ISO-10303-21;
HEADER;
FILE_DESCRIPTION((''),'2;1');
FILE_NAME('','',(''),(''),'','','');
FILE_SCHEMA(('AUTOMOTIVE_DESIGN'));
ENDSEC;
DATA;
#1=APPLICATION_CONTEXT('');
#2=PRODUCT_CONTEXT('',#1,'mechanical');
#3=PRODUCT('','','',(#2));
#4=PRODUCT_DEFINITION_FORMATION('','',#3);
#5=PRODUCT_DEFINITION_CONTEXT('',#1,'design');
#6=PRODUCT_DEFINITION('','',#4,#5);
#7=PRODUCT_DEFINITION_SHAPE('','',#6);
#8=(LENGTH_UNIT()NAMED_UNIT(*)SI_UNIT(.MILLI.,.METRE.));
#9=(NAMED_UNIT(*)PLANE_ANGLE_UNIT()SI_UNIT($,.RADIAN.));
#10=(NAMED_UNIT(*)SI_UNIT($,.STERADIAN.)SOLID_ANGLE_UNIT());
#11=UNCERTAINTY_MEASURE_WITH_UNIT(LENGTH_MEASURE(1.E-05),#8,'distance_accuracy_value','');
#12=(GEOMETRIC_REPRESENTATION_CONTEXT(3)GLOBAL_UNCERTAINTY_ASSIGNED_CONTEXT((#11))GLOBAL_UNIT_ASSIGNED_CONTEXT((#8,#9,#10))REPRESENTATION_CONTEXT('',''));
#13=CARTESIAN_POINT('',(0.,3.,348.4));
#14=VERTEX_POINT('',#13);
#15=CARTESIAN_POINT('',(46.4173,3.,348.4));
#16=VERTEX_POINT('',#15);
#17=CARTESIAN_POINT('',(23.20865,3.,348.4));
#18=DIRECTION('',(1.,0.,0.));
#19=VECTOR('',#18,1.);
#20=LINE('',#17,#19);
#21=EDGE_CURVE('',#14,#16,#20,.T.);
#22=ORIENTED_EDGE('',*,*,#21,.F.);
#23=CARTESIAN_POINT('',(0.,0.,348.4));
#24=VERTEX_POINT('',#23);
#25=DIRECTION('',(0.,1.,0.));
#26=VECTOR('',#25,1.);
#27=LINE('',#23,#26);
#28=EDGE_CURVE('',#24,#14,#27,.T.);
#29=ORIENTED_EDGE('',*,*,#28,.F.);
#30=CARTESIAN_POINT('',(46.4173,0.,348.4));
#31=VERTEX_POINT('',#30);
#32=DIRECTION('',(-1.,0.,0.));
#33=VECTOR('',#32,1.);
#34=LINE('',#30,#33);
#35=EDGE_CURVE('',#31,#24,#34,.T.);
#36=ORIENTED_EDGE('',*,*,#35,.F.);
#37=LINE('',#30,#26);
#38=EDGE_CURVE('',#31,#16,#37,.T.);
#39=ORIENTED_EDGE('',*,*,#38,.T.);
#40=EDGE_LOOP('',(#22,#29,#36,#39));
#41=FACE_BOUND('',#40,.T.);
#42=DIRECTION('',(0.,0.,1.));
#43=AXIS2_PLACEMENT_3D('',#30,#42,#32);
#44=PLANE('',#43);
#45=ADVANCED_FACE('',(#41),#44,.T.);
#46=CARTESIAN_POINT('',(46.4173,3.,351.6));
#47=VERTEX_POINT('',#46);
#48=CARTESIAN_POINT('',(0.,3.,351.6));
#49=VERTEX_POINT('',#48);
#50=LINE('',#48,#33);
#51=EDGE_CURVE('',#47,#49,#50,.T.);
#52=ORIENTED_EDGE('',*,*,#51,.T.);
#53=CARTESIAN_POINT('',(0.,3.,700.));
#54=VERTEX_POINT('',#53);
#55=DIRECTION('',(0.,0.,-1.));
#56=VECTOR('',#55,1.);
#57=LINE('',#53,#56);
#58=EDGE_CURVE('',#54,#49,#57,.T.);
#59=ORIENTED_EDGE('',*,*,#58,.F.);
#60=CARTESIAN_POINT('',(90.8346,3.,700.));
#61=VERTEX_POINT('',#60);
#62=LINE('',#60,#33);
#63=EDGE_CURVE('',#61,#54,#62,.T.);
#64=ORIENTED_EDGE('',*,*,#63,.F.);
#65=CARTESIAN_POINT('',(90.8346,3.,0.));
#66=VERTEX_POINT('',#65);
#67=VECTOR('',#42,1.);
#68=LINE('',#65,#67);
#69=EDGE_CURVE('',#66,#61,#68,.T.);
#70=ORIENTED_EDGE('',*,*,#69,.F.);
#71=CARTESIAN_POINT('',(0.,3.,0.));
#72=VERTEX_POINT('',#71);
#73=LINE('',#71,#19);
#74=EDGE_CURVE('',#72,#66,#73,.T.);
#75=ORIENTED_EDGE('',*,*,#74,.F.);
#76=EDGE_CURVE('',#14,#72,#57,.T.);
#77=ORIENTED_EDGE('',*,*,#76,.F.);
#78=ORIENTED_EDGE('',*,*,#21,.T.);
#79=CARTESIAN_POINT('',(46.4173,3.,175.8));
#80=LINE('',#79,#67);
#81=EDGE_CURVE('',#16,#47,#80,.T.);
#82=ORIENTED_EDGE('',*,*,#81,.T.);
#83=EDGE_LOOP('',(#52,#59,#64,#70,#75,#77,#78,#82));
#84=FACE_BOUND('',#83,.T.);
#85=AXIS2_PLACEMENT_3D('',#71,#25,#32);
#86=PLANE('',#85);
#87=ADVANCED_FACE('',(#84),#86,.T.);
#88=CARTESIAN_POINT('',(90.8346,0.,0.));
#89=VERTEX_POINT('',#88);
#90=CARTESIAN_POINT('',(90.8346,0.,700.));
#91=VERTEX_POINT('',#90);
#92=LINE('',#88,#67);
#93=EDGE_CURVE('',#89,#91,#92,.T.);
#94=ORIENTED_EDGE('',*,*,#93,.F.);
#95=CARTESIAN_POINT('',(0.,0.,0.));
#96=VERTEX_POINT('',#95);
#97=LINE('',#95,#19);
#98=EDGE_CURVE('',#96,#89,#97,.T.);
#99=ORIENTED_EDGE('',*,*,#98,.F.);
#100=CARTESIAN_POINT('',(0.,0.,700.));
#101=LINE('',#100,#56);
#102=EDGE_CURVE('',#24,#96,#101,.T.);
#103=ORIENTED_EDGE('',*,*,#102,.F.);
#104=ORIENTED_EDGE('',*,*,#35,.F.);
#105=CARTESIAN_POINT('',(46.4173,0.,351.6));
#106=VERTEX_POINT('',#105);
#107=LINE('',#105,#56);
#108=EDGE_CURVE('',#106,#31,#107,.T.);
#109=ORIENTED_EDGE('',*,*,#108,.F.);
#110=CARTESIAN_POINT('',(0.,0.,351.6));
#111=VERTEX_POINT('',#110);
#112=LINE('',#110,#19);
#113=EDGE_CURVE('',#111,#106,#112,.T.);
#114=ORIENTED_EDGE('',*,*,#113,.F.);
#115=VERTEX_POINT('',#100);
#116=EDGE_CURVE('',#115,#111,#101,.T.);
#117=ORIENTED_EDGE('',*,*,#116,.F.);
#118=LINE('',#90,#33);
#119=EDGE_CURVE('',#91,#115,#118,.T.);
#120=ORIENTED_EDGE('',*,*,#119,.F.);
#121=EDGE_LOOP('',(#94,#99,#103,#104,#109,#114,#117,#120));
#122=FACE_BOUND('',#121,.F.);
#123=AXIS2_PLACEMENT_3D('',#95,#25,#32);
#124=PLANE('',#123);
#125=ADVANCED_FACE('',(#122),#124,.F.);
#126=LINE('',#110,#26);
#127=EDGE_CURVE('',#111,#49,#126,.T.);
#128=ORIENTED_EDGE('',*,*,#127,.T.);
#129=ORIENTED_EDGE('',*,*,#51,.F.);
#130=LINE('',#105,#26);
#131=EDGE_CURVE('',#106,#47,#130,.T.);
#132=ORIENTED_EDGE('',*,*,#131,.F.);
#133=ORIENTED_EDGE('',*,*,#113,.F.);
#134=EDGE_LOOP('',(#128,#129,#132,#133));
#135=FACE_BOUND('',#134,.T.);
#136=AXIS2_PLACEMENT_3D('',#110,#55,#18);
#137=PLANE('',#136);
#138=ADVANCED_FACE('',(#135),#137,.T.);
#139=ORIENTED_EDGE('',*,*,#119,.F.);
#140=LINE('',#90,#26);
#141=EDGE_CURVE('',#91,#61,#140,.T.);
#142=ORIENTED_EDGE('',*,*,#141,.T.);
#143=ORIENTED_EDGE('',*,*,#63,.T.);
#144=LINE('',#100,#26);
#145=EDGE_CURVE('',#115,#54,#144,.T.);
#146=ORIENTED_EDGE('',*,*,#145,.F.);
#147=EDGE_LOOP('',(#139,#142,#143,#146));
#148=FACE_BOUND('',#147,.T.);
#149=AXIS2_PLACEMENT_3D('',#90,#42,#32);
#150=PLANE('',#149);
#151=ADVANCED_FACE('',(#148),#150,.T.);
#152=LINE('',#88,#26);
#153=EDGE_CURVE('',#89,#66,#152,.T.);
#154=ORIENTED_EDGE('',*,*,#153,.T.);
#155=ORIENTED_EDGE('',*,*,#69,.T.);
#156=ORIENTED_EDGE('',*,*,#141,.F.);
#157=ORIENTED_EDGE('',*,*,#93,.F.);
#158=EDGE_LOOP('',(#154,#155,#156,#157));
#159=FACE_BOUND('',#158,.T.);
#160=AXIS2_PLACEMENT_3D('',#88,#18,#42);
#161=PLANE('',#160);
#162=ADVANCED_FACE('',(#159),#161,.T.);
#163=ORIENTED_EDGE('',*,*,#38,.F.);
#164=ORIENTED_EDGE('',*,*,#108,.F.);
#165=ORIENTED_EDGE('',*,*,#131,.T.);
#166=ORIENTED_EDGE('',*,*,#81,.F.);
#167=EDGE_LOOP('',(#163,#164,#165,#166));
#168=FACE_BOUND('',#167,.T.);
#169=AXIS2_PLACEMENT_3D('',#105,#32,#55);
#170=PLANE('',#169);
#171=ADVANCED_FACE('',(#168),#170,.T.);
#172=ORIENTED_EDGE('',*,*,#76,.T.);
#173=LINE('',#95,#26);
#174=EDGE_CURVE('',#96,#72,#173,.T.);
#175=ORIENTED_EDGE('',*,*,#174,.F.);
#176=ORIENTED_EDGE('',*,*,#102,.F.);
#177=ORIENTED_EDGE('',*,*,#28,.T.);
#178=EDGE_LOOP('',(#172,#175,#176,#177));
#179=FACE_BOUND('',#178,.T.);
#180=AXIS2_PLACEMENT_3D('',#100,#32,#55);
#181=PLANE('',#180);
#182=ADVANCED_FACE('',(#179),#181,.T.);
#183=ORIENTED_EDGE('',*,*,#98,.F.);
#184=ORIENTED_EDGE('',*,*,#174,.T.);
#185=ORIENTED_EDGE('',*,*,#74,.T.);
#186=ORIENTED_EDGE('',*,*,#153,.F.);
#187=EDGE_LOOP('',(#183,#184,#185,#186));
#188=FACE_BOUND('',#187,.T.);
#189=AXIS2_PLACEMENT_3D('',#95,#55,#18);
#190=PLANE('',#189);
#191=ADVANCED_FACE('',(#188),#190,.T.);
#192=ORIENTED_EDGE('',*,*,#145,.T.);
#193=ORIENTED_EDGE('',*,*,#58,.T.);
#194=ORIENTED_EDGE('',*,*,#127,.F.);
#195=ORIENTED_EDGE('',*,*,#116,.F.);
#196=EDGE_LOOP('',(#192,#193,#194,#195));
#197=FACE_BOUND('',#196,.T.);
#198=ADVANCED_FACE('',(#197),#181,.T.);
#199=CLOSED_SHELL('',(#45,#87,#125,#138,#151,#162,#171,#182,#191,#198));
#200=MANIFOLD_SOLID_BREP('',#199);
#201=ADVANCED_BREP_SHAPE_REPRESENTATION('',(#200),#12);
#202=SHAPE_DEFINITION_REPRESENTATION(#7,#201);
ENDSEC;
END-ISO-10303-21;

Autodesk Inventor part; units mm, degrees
ref_plane "YZ Plane" through (0, 0, 0) normal (1, 0, 0) x (0, 1, 0)
ref_plane "XZ Plane" through (0, 0, 0) normal (0, 1, 0) x (-1, 0, 0)
ref_plane "XY Plane" through (0, 0, 0) normal (0, 0, 1) x (1, 0, 0)
sketch "Sketch6" plane through (0, 0, 0) normal (0, 1, 0) x (-1, 0, 0)
  line L0 (0, 0) -> (-90.8346, 0)
  line L1 (-90.8346, 0) -> (-90.8346, 700)
  line L2 (-90.8346, 700) -> (0, 700)
  line L3 (0, 700) -> (0, 0)
  dimension "d26" = 90.8346
  dimension "d27" = 700
extrude "Plate4" add sketch "Sketch6" along normal blind 3
sketch "Sketch7" plane through (0, 0, 0) normal (0, -1, 0) x (1, 0, 0)
  line L0 (0, 700) -> (90.8346, 700) projected
  line L1 (0, 0) -> (0, 700) projected
  line L2 (90.8346, 0) -> (0, 0) projected
  line L3 (90.8346, 700) -> (90.8346, 0) projected
  line L4 (0, 351.6) -> (46.4173, 351.6)
  line L5 (46.4173, 351.6) -> (46.4173, 348.4)
  line L6 (46.4173, 348.4) -> (0, 348.4)
  line L7 (0, 348.4) -> (0, 351.6)
  point P0 (0, 348.4)
  point P1 (0, 200)
  point P2 (46.4173, 200)
  point P3 (0, 348.4)
  dimension "d29" = 46.4173
  dimension "d30" = 3.2
  dimension "d31" = 348.4
extrude "Extrusion2" cut sketch "Sketch7" against normal through all contours L4 L5 L6 L1
equation "\"d26\" = Stringer1_deep"
equation "\"d28\" = Thickness"
equation "\"BendReliefWidth\" = Thickness"
equation "\"BendReliefDepth\" = 0.5 * Thickness"
equation "\"CornerReliefSize\" = 4 * Thickness"
equation "\"MinimumRemnant\" = 2 * Thickness"
equation "\"TransitionRadius\" = BendRadius"
equation "\"JacobiRadiusSize\" = BendRadius"
equation "\"GapSize\" = Thickness"
equation "\"Stringer1_deep\" = 90.834574"
equation "\"Thickness\" = 3"
equation "\"BendRadius\" = 5"
properties part number "BSH 045 stringer 1" material "09g2s"
